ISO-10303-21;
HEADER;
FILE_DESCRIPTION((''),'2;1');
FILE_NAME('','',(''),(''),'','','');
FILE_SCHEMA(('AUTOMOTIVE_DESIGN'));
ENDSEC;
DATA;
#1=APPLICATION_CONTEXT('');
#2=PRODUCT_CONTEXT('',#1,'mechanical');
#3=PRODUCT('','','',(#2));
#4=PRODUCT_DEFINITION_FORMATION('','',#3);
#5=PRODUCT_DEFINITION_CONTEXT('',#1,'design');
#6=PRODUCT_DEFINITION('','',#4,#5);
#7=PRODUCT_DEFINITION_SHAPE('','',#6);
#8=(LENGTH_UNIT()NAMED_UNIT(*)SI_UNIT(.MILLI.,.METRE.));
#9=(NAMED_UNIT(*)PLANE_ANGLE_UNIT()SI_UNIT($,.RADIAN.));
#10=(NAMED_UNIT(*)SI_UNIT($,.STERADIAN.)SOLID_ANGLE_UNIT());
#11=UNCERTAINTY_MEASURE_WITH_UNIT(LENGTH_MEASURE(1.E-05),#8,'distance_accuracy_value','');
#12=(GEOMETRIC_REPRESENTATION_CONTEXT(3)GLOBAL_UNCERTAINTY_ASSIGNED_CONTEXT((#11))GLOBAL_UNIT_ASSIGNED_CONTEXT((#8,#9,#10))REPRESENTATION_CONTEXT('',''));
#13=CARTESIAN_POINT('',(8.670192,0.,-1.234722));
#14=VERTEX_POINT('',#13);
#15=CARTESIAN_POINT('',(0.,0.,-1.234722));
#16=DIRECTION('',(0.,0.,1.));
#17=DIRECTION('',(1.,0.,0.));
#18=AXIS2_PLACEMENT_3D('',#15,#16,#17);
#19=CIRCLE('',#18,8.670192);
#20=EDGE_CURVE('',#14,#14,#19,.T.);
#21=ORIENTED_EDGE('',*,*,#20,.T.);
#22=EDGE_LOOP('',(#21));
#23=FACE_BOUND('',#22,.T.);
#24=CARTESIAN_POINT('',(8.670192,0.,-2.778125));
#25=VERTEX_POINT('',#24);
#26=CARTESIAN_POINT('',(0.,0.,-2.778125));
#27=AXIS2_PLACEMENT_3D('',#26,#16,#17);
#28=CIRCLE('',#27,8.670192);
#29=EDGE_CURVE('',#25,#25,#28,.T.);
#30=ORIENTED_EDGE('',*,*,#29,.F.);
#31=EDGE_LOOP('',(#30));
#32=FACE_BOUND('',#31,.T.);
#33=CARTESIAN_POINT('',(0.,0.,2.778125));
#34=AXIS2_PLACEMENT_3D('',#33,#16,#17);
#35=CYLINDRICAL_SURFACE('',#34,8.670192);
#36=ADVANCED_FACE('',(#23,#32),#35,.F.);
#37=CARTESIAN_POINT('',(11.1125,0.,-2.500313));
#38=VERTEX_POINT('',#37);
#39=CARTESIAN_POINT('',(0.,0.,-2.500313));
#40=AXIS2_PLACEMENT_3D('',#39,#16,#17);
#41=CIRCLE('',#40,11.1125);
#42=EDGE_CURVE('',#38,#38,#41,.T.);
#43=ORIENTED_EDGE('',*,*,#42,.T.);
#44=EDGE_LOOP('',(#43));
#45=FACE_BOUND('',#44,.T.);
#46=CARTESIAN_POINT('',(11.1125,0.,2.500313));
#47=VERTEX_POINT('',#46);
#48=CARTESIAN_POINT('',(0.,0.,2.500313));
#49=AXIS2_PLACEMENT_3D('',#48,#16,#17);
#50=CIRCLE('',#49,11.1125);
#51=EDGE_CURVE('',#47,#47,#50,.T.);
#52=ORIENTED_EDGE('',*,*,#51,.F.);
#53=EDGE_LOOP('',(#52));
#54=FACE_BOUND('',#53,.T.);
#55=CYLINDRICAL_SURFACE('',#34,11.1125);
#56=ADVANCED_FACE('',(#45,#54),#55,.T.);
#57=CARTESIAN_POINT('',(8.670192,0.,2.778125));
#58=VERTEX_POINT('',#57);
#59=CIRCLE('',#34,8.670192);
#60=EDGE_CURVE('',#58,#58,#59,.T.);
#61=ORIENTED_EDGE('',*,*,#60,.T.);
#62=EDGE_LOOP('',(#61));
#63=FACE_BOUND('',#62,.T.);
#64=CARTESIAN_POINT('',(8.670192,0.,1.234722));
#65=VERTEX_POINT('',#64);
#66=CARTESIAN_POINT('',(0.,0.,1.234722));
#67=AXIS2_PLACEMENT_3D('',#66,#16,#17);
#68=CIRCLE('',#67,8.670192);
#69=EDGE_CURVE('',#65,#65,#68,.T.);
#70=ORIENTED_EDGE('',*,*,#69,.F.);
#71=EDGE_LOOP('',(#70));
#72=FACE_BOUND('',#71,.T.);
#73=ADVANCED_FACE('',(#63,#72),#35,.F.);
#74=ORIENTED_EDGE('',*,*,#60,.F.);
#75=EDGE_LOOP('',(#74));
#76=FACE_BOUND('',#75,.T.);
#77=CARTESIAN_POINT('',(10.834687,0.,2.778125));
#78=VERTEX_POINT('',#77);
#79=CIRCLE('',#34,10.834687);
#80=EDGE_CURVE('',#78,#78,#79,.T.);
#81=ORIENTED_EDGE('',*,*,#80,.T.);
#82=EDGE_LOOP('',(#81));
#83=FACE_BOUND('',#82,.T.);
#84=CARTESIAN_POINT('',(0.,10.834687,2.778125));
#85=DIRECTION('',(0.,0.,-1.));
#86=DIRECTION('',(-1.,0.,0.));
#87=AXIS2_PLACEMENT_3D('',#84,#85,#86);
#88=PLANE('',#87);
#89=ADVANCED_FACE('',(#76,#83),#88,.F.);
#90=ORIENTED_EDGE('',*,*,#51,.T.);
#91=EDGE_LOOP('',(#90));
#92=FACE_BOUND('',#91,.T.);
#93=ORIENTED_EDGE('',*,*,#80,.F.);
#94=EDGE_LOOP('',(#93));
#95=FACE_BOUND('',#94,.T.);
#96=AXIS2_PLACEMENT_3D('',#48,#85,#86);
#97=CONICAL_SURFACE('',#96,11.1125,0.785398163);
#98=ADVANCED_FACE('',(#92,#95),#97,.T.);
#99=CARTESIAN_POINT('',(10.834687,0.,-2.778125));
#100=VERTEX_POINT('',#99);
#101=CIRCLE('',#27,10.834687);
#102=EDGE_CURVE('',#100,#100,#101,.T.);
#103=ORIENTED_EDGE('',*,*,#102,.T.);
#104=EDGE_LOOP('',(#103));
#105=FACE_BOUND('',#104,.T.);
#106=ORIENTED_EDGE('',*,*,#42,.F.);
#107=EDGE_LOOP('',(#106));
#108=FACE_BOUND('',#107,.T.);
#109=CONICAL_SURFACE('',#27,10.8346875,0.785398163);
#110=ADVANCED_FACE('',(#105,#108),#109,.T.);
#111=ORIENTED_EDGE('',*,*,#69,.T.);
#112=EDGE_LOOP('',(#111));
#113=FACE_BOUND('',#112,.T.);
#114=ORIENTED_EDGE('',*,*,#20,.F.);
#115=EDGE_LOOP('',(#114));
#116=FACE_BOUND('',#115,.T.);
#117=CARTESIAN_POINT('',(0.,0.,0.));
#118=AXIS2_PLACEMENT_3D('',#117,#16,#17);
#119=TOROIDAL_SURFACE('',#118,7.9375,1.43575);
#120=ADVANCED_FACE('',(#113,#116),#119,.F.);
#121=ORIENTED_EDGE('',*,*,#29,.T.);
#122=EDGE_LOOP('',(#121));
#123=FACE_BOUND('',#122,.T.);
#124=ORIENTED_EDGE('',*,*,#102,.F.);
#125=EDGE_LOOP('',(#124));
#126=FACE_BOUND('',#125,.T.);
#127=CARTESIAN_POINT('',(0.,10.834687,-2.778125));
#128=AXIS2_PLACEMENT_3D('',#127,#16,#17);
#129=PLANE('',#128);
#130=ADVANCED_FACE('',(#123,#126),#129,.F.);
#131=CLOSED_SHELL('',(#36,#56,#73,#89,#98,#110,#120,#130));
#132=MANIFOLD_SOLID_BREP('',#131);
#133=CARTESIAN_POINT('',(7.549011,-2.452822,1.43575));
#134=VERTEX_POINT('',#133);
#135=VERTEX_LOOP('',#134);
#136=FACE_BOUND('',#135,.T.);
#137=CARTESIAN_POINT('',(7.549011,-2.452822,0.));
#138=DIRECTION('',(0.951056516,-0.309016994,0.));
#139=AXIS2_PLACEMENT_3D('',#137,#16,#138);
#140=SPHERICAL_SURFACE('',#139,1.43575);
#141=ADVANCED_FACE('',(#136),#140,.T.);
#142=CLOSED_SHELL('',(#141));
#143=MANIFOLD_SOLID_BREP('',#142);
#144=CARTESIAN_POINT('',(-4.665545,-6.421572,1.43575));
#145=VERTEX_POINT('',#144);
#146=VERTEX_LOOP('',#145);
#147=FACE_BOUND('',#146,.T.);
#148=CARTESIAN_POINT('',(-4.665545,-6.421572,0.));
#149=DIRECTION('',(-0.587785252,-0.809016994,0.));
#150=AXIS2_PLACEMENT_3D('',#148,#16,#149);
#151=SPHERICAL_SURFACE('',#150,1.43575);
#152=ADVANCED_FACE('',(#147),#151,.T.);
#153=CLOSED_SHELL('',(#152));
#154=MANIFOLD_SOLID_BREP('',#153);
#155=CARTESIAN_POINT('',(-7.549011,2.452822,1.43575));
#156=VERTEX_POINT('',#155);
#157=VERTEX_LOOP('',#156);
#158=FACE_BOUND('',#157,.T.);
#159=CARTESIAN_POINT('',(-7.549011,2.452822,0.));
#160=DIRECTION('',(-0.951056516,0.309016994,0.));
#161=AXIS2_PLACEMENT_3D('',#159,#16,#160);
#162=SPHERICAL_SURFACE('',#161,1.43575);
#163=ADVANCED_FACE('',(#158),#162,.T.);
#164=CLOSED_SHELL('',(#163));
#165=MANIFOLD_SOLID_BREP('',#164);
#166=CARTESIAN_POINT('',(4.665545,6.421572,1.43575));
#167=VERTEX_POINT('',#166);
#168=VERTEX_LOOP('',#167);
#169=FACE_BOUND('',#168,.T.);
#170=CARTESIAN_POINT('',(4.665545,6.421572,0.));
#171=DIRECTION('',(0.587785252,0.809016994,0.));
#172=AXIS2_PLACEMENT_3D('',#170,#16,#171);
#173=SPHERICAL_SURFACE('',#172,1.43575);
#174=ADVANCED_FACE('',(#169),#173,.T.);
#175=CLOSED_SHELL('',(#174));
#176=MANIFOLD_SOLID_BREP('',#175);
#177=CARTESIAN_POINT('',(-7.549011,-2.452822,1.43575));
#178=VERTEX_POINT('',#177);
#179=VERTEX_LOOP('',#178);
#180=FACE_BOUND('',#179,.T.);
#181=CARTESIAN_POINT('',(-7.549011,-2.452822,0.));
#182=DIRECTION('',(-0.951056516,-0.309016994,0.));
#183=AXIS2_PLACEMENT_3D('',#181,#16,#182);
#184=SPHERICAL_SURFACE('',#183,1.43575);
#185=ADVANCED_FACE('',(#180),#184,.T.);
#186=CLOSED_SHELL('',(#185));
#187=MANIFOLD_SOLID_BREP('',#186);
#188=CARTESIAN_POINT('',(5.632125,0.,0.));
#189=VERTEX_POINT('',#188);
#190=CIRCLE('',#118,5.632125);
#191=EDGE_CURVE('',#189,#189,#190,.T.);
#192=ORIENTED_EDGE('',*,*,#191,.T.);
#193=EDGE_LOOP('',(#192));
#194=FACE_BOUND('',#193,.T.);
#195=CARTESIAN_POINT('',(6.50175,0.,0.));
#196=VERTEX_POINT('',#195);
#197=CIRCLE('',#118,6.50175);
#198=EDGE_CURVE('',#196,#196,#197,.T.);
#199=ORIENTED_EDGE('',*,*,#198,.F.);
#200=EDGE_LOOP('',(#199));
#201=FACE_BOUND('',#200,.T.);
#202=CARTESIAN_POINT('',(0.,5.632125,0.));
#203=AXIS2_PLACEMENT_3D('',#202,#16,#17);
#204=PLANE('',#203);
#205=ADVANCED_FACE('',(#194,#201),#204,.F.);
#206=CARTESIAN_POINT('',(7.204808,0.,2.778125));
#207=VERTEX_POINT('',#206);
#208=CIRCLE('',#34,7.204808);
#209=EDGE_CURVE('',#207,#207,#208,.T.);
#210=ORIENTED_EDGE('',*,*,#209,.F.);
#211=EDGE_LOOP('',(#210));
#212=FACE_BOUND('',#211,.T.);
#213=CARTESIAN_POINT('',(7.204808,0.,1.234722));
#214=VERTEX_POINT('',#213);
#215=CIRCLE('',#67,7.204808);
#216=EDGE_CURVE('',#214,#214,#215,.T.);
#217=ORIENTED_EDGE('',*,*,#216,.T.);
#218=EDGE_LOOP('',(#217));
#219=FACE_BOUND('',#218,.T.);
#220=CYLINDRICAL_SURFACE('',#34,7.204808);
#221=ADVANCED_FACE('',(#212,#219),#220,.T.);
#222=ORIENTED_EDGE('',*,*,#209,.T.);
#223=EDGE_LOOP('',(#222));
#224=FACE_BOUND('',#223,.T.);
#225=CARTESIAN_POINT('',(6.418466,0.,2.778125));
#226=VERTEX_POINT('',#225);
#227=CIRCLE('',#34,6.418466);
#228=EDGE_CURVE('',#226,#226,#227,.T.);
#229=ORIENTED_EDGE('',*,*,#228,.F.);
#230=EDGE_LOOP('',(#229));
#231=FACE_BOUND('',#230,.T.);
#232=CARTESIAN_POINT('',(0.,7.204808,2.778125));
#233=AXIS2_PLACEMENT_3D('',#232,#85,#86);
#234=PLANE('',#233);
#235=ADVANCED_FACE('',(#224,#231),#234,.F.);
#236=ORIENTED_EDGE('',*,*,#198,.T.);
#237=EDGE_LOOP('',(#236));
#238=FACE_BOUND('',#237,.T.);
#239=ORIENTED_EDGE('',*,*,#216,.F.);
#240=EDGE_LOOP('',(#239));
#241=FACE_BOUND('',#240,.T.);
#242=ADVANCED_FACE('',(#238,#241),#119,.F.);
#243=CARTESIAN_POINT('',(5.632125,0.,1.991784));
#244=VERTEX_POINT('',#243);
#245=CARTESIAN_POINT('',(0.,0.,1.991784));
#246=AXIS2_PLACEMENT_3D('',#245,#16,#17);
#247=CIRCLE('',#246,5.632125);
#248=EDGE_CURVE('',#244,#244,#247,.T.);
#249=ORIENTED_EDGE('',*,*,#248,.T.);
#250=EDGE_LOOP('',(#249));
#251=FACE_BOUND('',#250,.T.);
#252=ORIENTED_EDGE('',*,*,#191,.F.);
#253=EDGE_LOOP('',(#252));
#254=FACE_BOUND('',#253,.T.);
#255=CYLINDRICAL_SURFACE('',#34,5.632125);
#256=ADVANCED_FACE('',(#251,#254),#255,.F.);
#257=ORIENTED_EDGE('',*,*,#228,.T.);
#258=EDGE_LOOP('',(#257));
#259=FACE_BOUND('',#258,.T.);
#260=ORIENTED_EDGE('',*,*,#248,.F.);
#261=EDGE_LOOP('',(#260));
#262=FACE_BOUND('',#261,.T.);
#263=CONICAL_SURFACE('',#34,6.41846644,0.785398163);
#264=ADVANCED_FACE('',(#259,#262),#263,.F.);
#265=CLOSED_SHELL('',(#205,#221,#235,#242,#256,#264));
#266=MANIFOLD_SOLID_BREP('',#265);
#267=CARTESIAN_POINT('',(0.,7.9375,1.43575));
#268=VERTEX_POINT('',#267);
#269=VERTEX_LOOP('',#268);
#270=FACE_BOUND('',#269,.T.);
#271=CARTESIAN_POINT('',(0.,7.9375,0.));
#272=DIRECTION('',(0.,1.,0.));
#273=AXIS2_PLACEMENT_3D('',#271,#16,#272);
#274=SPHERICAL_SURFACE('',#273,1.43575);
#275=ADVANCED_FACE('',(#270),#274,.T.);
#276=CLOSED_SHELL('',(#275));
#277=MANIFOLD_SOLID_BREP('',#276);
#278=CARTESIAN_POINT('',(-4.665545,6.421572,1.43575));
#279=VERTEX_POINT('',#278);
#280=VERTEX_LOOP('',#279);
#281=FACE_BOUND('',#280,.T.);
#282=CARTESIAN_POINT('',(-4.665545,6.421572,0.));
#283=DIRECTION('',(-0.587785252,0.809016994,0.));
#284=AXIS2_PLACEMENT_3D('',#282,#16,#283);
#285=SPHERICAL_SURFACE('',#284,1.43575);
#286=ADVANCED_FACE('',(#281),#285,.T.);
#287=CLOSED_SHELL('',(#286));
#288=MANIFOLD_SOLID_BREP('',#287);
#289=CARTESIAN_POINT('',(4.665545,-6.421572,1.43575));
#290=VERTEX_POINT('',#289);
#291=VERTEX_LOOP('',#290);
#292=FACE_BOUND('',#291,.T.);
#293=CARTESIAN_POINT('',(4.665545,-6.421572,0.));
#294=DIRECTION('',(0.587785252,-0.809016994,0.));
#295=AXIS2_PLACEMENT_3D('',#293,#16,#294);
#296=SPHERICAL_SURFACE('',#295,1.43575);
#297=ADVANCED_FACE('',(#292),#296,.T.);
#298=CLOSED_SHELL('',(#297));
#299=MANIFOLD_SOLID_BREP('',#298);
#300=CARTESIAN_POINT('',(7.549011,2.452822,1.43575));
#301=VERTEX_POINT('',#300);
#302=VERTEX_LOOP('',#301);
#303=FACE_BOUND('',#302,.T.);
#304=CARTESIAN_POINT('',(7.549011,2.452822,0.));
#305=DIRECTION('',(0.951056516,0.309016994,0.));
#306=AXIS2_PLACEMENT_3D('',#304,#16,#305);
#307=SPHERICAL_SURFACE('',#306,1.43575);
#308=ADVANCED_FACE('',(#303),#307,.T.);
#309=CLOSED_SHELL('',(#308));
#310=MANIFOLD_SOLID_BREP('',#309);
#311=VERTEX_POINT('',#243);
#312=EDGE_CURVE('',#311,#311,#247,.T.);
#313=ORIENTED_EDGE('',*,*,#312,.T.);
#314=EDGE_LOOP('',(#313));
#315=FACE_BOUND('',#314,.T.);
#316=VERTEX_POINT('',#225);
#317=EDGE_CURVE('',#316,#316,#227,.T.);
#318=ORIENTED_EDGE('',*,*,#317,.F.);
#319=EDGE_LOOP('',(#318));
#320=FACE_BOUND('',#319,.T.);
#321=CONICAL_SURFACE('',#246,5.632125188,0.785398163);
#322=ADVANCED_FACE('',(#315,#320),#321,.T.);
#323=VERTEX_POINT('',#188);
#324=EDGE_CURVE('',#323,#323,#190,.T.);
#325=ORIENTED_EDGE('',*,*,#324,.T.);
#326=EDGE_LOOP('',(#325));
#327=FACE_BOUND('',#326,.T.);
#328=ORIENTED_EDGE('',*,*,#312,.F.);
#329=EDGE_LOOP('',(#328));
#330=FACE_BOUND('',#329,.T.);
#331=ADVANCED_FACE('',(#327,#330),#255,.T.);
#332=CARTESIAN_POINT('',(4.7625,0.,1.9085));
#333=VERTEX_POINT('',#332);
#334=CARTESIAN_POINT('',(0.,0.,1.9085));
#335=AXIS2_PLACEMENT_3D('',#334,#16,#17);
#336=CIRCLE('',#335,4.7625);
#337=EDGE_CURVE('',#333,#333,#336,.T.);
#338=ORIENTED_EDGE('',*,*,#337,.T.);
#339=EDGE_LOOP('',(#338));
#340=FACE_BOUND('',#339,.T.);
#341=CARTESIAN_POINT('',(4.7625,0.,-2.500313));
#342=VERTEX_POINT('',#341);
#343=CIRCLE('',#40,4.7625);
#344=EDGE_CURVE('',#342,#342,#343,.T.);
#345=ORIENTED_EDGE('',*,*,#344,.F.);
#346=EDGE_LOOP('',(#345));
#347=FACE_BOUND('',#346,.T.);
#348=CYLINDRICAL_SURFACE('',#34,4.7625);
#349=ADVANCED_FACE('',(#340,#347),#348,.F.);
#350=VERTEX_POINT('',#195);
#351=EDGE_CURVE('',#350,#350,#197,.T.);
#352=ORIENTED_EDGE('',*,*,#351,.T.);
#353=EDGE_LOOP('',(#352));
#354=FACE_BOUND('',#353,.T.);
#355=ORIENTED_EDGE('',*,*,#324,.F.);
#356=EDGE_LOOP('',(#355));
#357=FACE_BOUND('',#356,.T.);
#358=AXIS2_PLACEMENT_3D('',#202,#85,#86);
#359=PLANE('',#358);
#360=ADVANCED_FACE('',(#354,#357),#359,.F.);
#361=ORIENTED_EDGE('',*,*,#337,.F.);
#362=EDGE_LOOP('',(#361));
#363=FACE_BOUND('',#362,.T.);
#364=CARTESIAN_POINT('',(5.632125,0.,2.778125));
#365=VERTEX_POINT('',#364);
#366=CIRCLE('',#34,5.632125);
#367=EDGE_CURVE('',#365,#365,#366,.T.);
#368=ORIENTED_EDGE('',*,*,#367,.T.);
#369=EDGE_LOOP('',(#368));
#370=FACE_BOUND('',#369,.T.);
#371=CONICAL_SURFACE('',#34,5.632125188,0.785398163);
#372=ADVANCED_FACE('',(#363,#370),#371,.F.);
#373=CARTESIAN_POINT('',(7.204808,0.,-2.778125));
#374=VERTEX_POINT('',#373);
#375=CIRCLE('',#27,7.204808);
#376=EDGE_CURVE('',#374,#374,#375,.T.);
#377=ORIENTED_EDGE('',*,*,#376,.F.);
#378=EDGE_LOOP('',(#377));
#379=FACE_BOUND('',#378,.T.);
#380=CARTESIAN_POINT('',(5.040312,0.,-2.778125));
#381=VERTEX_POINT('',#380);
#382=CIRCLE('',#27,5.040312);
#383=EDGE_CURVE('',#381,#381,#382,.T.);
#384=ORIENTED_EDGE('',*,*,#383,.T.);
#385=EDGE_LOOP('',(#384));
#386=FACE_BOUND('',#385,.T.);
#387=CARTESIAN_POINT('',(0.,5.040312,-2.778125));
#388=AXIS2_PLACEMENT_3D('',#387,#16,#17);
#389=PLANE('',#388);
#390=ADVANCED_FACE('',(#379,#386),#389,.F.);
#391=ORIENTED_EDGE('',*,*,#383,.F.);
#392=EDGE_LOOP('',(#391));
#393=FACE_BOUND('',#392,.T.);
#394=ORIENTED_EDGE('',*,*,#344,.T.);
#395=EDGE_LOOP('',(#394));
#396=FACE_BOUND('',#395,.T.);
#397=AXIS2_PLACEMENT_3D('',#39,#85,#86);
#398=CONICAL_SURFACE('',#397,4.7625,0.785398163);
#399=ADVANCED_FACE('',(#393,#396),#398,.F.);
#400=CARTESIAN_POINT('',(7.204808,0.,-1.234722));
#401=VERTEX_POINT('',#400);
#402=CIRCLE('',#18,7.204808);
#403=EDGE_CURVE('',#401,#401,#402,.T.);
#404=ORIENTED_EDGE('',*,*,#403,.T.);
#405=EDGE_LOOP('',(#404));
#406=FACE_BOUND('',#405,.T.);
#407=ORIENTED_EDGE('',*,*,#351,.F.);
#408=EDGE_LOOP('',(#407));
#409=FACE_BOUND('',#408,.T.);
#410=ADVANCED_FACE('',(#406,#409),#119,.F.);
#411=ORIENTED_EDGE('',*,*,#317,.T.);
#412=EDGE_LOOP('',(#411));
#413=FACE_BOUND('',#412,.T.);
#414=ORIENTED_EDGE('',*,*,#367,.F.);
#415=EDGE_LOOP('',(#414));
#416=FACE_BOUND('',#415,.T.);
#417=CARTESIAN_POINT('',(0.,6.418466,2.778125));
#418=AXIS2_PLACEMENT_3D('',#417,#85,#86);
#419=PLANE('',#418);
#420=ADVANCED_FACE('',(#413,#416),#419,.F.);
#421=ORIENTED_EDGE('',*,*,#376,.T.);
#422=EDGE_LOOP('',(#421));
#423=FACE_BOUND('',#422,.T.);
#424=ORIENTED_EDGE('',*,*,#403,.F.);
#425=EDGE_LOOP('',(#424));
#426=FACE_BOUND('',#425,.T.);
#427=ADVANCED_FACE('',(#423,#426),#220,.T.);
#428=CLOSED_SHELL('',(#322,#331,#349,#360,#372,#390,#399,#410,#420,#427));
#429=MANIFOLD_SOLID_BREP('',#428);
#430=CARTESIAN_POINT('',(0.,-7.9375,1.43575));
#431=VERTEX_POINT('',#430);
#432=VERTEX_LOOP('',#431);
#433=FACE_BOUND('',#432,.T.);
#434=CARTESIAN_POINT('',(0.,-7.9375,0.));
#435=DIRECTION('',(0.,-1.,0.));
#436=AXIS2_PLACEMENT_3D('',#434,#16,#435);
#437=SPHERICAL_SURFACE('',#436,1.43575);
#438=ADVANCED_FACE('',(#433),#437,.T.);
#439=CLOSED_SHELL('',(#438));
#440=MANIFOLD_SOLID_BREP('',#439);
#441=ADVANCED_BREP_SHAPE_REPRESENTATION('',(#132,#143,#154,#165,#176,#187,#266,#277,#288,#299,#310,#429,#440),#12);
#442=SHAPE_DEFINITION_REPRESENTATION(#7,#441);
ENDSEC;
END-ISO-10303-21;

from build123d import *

# Parameters (mm, degrees)
CIRPATTERN1_COUNT = 10


with BuildPart() as part:
    # Sketch1 → Revolve1 (revolve)
    with BuildSketch(Plane(origin=(0, 0, 0), x_dir=(0, 0, -1), z_dir=(1, 0, 0))):
        with BuildLine():
            Line((2.5003125, 11.1125), (-2.5003125, 11.1125))
            Line((-2.5003125, 11.1125), (-2.778125, 10.8346875))
            Line((-2.778125, 10.8346875), (-2.778125, 8.670192308))
            Line((-2.778125, 8.670192308), (-1.234722222, 8.670192308))
            ThreePointArc((-1.234722222, 8.670192308), (0, 9.373249624), (1.234722222, 8.670192308))
            Line((1.234722222, 8.670192308), (2.778125, 8.670192308))
            Line((2.778125, 8.670192308), (2.778125, 10.8346875))
            Line((2.778125, 10.8346875), (2.5003125, 11.1125))
        make_face()
    revolve(axis=Axis((0, 0, 2.778125), (0, 0, -1)))


with BuildPart() as body_2:
    # Sketch2 → Revolve2 (revolve)
    with BuildSketch(Plane(origin=(0, 0, 0), x_dir=(0, 0, -1), z_dir=(1, 0, 0))):
        with BuildLine():
            Line((-2.778125, 7.204807692), (-1.234722222, 7.204807692))
            ThreePointArc((-1.234722222, 7.204807692), (-0.710427434, 6.689834242), (0, 6.501750376))
            Line((0, 6.501750376), (0, 5.632125188))
            Line((0, 5.632125188), (-1.991783748, 5.632125188))
            Line((-1.991783748, 5.632125188), (-2.778125, 6.41846644))
            Line((-2.778125, 6.41846644), (-2.778125, 7.204807692))
        make_face()
    revolve(axis=Axis((0, 0, 2.778125), (0, 0, -1)))


with BuildPart() as body_3:
    # Sketch3 → Revolve3 (revolve)
    with BuildSketch(Plane(origin=(0, 0, 0), x_dir=(0, 0, -1), z_dir=(1, 0, 0))):
        with BuildLine():
            Line((-2.778125, 6.41846644), (-1.991783748, 5.632125188))
            Line((-1.991783748, 5.632125188), (0, 5.632125188))
            Line((0, 5.632125188), (0, 6.501750376))
            ThreePointArc((0, 6.501750376), (0.710427434, 6.689834242), (1.234722222, 7.204807692))
            Line((1.234722222, 7.204807692), (2.778125, 7.204807692))
            Line((2.778125, 7.204807692), (2.778125, 5.0403125))
            Line((2.778125, 5.0403125), (2.5003125, 4.7625))
            Line((2.5003125, 4.7625), (-1.908499812, 4.7625))
            Line((-1.908499812, 4.7625), (-2.778125, 5.632125188))
            Line((-2.778125, 5.632125188), (-2.778125, 6.41846644))
        make_face()
    revolve(axis=Axis((0, 0, 2.778125), (0, 0, -1)))


with BuildPart() as body_4:
    # Sketch4 → Revolve4 (revolve)
    with BuildSketch(Plane(origin=(0, 0, 0), x_dir=(0, 0, -1), z_dir=(1, 0, 0))):
        with BuildLine():
            Line((-1.435749624, 7.9375), (1.435749624, 7.9375))
            ThreePointArc((1.435749624, 7.9375), (0, 9.373249624), (-1.435749624, 7.9375))
        make_face()
    revolve(axis=Axis((0, 7.9375, 1.435749624), (0, 0, -1)))


with BuildPart() as cirpattern1_1:
    # CirPattern1: pattern copy
    add(body_4.part.rotate(Axis((0, 0, -2.778125), (0, 0, 1)), 1 * 360 / CIRPATTERN1_COUNT))


with BuildPart() as cirpattern1_2:
    # CirPattern1: pattern copy
    add(body_4.part.rotate(Axis((0, 0, -2.778125), (0, 0, 1)), 2 * 360 / CIRPATTERN1_COUNT))


with BuildPart() as cirpattern1_3:
    # CirPattern1: pattern copy
    add(body_4.part.rotate(Axis((0, 0, -2.778125), (0, 0, 1)), 3 * 360 / CIRPATTERN1_COUNT))


with BuildPart() as cirpattern1_4:
    # CirPattern1: pattern copy
    add(body_4.part.rotate(Axis((0, 0, -2.778125), (0, 0, 1)), 4 * 360 / CIRPATTERN1_COUNT))


with BuildPart() as cirpattern1_5:
    # CirPattern1: pattern copy
    add(body_4.part.rotate(Axis((0, 0, -2.778125), (0, 0, 1)), 5 * 360 / CIRPATTERN1_COUNT))


with BuildPart() as cirpattern1_6:
    # CirPattern1: pattern copy
    add(body_4.part.rotate(Axis((0, 0, -2.778125), (0, 0, 1)), 6 * 360 / CIRPATTERN1_COUNT))


with BuildPart() as cirpattern1_7:
    # CirPattern1: pattern copy
    add(body_4.part.rotate(Axis((0, 0, -2.778125), (0, 0, 1)), 7 * 360 / CIRPATTERN1_COUNT))


with BuildPart() as cirpattern1_8:
    # CirPattern1: pattern copy
    add(body_4.part.rotate(Axis((0, 0, -2.778125), (0, 0, 1)), 8 * 360 / CIRPATTERN1_COUNT))


with BuildPart() as cirpattern1_9:
    # CirPattern1: pattern copy
    add(body_4.part.rotate(Axis((0, 0, -2.778125), (0, 0, 1)), 9 * 360 / CIRPATTERN1_COUNT))


solid = Compound([part.part, body_2.part, body_3.part, body_4.part, cirpattern1_1.part, cirpattern1_2.part, cirpattern1_3.part, cirpattern1_4.part, cirpattern1_5.part, cirpattern1_6.part, cirpattern1_7.part, cirpattern1_8.part, cirpattern1_9.part])
